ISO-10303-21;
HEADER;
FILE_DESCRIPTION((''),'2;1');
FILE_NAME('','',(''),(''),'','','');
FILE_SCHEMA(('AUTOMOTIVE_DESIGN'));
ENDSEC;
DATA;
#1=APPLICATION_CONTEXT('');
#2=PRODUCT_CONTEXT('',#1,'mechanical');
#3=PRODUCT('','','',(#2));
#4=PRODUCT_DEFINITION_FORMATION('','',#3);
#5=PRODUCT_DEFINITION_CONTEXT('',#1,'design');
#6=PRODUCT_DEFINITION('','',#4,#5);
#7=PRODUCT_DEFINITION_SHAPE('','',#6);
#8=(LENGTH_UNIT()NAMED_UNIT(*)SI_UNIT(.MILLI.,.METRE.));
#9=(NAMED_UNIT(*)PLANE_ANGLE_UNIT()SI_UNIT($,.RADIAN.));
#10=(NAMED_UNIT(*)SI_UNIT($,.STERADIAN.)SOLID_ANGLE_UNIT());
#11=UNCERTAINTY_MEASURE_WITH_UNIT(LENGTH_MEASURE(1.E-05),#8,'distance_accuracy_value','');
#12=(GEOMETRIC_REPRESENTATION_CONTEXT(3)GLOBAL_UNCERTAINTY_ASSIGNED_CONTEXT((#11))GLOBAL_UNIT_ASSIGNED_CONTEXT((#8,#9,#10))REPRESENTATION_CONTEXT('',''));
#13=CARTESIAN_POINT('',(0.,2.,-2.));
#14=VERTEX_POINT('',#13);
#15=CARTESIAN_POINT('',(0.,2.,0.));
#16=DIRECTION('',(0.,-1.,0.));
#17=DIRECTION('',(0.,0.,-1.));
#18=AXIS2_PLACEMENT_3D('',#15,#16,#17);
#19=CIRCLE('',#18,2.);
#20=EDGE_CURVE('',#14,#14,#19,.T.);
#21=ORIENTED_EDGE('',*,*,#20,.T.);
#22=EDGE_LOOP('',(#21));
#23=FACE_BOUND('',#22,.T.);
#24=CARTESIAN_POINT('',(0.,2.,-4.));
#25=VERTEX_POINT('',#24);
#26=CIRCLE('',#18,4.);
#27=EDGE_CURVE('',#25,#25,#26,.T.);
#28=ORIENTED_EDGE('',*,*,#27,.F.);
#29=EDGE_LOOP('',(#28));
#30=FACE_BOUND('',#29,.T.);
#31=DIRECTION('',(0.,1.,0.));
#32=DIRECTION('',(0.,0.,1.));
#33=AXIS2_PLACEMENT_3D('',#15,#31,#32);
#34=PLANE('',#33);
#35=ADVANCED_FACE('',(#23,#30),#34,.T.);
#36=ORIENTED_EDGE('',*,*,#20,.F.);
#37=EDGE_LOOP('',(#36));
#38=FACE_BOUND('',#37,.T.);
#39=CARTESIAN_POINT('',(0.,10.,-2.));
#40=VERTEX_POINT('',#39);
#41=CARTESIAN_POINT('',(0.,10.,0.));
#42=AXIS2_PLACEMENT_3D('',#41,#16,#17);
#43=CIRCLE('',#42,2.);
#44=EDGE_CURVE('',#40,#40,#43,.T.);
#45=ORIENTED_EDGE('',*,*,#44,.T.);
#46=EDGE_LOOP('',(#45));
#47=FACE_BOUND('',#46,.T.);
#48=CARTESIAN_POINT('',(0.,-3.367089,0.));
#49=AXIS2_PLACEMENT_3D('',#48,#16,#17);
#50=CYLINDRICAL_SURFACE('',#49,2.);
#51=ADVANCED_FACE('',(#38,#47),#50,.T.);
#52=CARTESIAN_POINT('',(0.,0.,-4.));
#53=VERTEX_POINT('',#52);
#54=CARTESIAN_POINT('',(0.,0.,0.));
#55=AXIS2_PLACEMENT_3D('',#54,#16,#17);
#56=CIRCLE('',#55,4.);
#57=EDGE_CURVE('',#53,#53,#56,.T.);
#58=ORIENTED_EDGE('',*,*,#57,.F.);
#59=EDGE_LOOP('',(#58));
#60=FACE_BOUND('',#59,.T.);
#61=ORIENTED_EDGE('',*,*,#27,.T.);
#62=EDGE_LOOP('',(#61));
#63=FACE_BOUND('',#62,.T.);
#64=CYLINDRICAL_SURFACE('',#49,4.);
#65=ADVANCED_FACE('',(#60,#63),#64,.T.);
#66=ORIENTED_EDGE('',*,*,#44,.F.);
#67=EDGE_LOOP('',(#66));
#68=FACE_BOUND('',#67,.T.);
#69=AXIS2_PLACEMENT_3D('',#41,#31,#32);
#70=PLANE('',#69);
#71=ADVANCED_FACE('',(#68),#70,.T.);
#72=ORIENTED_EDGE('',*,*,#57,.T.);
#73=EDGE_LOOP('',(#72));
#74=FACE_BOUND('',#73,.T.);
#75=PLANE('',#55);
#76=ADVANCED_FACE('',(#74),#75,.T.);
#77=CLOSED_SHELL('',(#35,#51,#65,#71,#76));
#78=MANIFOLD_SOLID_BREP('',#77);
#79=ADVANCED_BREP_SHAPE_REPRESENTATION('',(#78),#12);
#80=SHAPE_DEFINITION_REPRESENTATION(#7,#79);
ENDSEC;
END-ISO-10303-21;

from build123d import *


with BuildPart() as part:
    # Sketch1 → Revolve1 (revolve)
    with BuildSketch(Plane.XY, mode=Mode.PRIVATE) as revolve1_sk:
        Polygon((2, 10), (0, 10), (0, 0), (4, 0), (4, 2), (2, 2), align=None)
    revolve(revolve1_sk.sketch.rotate(Axis((0, -3.367088608, 0), (0, 1, 0)), 90), axis=Axis((0, -3.367088608, 0), (0, 1, 0)))


solid = part.part
